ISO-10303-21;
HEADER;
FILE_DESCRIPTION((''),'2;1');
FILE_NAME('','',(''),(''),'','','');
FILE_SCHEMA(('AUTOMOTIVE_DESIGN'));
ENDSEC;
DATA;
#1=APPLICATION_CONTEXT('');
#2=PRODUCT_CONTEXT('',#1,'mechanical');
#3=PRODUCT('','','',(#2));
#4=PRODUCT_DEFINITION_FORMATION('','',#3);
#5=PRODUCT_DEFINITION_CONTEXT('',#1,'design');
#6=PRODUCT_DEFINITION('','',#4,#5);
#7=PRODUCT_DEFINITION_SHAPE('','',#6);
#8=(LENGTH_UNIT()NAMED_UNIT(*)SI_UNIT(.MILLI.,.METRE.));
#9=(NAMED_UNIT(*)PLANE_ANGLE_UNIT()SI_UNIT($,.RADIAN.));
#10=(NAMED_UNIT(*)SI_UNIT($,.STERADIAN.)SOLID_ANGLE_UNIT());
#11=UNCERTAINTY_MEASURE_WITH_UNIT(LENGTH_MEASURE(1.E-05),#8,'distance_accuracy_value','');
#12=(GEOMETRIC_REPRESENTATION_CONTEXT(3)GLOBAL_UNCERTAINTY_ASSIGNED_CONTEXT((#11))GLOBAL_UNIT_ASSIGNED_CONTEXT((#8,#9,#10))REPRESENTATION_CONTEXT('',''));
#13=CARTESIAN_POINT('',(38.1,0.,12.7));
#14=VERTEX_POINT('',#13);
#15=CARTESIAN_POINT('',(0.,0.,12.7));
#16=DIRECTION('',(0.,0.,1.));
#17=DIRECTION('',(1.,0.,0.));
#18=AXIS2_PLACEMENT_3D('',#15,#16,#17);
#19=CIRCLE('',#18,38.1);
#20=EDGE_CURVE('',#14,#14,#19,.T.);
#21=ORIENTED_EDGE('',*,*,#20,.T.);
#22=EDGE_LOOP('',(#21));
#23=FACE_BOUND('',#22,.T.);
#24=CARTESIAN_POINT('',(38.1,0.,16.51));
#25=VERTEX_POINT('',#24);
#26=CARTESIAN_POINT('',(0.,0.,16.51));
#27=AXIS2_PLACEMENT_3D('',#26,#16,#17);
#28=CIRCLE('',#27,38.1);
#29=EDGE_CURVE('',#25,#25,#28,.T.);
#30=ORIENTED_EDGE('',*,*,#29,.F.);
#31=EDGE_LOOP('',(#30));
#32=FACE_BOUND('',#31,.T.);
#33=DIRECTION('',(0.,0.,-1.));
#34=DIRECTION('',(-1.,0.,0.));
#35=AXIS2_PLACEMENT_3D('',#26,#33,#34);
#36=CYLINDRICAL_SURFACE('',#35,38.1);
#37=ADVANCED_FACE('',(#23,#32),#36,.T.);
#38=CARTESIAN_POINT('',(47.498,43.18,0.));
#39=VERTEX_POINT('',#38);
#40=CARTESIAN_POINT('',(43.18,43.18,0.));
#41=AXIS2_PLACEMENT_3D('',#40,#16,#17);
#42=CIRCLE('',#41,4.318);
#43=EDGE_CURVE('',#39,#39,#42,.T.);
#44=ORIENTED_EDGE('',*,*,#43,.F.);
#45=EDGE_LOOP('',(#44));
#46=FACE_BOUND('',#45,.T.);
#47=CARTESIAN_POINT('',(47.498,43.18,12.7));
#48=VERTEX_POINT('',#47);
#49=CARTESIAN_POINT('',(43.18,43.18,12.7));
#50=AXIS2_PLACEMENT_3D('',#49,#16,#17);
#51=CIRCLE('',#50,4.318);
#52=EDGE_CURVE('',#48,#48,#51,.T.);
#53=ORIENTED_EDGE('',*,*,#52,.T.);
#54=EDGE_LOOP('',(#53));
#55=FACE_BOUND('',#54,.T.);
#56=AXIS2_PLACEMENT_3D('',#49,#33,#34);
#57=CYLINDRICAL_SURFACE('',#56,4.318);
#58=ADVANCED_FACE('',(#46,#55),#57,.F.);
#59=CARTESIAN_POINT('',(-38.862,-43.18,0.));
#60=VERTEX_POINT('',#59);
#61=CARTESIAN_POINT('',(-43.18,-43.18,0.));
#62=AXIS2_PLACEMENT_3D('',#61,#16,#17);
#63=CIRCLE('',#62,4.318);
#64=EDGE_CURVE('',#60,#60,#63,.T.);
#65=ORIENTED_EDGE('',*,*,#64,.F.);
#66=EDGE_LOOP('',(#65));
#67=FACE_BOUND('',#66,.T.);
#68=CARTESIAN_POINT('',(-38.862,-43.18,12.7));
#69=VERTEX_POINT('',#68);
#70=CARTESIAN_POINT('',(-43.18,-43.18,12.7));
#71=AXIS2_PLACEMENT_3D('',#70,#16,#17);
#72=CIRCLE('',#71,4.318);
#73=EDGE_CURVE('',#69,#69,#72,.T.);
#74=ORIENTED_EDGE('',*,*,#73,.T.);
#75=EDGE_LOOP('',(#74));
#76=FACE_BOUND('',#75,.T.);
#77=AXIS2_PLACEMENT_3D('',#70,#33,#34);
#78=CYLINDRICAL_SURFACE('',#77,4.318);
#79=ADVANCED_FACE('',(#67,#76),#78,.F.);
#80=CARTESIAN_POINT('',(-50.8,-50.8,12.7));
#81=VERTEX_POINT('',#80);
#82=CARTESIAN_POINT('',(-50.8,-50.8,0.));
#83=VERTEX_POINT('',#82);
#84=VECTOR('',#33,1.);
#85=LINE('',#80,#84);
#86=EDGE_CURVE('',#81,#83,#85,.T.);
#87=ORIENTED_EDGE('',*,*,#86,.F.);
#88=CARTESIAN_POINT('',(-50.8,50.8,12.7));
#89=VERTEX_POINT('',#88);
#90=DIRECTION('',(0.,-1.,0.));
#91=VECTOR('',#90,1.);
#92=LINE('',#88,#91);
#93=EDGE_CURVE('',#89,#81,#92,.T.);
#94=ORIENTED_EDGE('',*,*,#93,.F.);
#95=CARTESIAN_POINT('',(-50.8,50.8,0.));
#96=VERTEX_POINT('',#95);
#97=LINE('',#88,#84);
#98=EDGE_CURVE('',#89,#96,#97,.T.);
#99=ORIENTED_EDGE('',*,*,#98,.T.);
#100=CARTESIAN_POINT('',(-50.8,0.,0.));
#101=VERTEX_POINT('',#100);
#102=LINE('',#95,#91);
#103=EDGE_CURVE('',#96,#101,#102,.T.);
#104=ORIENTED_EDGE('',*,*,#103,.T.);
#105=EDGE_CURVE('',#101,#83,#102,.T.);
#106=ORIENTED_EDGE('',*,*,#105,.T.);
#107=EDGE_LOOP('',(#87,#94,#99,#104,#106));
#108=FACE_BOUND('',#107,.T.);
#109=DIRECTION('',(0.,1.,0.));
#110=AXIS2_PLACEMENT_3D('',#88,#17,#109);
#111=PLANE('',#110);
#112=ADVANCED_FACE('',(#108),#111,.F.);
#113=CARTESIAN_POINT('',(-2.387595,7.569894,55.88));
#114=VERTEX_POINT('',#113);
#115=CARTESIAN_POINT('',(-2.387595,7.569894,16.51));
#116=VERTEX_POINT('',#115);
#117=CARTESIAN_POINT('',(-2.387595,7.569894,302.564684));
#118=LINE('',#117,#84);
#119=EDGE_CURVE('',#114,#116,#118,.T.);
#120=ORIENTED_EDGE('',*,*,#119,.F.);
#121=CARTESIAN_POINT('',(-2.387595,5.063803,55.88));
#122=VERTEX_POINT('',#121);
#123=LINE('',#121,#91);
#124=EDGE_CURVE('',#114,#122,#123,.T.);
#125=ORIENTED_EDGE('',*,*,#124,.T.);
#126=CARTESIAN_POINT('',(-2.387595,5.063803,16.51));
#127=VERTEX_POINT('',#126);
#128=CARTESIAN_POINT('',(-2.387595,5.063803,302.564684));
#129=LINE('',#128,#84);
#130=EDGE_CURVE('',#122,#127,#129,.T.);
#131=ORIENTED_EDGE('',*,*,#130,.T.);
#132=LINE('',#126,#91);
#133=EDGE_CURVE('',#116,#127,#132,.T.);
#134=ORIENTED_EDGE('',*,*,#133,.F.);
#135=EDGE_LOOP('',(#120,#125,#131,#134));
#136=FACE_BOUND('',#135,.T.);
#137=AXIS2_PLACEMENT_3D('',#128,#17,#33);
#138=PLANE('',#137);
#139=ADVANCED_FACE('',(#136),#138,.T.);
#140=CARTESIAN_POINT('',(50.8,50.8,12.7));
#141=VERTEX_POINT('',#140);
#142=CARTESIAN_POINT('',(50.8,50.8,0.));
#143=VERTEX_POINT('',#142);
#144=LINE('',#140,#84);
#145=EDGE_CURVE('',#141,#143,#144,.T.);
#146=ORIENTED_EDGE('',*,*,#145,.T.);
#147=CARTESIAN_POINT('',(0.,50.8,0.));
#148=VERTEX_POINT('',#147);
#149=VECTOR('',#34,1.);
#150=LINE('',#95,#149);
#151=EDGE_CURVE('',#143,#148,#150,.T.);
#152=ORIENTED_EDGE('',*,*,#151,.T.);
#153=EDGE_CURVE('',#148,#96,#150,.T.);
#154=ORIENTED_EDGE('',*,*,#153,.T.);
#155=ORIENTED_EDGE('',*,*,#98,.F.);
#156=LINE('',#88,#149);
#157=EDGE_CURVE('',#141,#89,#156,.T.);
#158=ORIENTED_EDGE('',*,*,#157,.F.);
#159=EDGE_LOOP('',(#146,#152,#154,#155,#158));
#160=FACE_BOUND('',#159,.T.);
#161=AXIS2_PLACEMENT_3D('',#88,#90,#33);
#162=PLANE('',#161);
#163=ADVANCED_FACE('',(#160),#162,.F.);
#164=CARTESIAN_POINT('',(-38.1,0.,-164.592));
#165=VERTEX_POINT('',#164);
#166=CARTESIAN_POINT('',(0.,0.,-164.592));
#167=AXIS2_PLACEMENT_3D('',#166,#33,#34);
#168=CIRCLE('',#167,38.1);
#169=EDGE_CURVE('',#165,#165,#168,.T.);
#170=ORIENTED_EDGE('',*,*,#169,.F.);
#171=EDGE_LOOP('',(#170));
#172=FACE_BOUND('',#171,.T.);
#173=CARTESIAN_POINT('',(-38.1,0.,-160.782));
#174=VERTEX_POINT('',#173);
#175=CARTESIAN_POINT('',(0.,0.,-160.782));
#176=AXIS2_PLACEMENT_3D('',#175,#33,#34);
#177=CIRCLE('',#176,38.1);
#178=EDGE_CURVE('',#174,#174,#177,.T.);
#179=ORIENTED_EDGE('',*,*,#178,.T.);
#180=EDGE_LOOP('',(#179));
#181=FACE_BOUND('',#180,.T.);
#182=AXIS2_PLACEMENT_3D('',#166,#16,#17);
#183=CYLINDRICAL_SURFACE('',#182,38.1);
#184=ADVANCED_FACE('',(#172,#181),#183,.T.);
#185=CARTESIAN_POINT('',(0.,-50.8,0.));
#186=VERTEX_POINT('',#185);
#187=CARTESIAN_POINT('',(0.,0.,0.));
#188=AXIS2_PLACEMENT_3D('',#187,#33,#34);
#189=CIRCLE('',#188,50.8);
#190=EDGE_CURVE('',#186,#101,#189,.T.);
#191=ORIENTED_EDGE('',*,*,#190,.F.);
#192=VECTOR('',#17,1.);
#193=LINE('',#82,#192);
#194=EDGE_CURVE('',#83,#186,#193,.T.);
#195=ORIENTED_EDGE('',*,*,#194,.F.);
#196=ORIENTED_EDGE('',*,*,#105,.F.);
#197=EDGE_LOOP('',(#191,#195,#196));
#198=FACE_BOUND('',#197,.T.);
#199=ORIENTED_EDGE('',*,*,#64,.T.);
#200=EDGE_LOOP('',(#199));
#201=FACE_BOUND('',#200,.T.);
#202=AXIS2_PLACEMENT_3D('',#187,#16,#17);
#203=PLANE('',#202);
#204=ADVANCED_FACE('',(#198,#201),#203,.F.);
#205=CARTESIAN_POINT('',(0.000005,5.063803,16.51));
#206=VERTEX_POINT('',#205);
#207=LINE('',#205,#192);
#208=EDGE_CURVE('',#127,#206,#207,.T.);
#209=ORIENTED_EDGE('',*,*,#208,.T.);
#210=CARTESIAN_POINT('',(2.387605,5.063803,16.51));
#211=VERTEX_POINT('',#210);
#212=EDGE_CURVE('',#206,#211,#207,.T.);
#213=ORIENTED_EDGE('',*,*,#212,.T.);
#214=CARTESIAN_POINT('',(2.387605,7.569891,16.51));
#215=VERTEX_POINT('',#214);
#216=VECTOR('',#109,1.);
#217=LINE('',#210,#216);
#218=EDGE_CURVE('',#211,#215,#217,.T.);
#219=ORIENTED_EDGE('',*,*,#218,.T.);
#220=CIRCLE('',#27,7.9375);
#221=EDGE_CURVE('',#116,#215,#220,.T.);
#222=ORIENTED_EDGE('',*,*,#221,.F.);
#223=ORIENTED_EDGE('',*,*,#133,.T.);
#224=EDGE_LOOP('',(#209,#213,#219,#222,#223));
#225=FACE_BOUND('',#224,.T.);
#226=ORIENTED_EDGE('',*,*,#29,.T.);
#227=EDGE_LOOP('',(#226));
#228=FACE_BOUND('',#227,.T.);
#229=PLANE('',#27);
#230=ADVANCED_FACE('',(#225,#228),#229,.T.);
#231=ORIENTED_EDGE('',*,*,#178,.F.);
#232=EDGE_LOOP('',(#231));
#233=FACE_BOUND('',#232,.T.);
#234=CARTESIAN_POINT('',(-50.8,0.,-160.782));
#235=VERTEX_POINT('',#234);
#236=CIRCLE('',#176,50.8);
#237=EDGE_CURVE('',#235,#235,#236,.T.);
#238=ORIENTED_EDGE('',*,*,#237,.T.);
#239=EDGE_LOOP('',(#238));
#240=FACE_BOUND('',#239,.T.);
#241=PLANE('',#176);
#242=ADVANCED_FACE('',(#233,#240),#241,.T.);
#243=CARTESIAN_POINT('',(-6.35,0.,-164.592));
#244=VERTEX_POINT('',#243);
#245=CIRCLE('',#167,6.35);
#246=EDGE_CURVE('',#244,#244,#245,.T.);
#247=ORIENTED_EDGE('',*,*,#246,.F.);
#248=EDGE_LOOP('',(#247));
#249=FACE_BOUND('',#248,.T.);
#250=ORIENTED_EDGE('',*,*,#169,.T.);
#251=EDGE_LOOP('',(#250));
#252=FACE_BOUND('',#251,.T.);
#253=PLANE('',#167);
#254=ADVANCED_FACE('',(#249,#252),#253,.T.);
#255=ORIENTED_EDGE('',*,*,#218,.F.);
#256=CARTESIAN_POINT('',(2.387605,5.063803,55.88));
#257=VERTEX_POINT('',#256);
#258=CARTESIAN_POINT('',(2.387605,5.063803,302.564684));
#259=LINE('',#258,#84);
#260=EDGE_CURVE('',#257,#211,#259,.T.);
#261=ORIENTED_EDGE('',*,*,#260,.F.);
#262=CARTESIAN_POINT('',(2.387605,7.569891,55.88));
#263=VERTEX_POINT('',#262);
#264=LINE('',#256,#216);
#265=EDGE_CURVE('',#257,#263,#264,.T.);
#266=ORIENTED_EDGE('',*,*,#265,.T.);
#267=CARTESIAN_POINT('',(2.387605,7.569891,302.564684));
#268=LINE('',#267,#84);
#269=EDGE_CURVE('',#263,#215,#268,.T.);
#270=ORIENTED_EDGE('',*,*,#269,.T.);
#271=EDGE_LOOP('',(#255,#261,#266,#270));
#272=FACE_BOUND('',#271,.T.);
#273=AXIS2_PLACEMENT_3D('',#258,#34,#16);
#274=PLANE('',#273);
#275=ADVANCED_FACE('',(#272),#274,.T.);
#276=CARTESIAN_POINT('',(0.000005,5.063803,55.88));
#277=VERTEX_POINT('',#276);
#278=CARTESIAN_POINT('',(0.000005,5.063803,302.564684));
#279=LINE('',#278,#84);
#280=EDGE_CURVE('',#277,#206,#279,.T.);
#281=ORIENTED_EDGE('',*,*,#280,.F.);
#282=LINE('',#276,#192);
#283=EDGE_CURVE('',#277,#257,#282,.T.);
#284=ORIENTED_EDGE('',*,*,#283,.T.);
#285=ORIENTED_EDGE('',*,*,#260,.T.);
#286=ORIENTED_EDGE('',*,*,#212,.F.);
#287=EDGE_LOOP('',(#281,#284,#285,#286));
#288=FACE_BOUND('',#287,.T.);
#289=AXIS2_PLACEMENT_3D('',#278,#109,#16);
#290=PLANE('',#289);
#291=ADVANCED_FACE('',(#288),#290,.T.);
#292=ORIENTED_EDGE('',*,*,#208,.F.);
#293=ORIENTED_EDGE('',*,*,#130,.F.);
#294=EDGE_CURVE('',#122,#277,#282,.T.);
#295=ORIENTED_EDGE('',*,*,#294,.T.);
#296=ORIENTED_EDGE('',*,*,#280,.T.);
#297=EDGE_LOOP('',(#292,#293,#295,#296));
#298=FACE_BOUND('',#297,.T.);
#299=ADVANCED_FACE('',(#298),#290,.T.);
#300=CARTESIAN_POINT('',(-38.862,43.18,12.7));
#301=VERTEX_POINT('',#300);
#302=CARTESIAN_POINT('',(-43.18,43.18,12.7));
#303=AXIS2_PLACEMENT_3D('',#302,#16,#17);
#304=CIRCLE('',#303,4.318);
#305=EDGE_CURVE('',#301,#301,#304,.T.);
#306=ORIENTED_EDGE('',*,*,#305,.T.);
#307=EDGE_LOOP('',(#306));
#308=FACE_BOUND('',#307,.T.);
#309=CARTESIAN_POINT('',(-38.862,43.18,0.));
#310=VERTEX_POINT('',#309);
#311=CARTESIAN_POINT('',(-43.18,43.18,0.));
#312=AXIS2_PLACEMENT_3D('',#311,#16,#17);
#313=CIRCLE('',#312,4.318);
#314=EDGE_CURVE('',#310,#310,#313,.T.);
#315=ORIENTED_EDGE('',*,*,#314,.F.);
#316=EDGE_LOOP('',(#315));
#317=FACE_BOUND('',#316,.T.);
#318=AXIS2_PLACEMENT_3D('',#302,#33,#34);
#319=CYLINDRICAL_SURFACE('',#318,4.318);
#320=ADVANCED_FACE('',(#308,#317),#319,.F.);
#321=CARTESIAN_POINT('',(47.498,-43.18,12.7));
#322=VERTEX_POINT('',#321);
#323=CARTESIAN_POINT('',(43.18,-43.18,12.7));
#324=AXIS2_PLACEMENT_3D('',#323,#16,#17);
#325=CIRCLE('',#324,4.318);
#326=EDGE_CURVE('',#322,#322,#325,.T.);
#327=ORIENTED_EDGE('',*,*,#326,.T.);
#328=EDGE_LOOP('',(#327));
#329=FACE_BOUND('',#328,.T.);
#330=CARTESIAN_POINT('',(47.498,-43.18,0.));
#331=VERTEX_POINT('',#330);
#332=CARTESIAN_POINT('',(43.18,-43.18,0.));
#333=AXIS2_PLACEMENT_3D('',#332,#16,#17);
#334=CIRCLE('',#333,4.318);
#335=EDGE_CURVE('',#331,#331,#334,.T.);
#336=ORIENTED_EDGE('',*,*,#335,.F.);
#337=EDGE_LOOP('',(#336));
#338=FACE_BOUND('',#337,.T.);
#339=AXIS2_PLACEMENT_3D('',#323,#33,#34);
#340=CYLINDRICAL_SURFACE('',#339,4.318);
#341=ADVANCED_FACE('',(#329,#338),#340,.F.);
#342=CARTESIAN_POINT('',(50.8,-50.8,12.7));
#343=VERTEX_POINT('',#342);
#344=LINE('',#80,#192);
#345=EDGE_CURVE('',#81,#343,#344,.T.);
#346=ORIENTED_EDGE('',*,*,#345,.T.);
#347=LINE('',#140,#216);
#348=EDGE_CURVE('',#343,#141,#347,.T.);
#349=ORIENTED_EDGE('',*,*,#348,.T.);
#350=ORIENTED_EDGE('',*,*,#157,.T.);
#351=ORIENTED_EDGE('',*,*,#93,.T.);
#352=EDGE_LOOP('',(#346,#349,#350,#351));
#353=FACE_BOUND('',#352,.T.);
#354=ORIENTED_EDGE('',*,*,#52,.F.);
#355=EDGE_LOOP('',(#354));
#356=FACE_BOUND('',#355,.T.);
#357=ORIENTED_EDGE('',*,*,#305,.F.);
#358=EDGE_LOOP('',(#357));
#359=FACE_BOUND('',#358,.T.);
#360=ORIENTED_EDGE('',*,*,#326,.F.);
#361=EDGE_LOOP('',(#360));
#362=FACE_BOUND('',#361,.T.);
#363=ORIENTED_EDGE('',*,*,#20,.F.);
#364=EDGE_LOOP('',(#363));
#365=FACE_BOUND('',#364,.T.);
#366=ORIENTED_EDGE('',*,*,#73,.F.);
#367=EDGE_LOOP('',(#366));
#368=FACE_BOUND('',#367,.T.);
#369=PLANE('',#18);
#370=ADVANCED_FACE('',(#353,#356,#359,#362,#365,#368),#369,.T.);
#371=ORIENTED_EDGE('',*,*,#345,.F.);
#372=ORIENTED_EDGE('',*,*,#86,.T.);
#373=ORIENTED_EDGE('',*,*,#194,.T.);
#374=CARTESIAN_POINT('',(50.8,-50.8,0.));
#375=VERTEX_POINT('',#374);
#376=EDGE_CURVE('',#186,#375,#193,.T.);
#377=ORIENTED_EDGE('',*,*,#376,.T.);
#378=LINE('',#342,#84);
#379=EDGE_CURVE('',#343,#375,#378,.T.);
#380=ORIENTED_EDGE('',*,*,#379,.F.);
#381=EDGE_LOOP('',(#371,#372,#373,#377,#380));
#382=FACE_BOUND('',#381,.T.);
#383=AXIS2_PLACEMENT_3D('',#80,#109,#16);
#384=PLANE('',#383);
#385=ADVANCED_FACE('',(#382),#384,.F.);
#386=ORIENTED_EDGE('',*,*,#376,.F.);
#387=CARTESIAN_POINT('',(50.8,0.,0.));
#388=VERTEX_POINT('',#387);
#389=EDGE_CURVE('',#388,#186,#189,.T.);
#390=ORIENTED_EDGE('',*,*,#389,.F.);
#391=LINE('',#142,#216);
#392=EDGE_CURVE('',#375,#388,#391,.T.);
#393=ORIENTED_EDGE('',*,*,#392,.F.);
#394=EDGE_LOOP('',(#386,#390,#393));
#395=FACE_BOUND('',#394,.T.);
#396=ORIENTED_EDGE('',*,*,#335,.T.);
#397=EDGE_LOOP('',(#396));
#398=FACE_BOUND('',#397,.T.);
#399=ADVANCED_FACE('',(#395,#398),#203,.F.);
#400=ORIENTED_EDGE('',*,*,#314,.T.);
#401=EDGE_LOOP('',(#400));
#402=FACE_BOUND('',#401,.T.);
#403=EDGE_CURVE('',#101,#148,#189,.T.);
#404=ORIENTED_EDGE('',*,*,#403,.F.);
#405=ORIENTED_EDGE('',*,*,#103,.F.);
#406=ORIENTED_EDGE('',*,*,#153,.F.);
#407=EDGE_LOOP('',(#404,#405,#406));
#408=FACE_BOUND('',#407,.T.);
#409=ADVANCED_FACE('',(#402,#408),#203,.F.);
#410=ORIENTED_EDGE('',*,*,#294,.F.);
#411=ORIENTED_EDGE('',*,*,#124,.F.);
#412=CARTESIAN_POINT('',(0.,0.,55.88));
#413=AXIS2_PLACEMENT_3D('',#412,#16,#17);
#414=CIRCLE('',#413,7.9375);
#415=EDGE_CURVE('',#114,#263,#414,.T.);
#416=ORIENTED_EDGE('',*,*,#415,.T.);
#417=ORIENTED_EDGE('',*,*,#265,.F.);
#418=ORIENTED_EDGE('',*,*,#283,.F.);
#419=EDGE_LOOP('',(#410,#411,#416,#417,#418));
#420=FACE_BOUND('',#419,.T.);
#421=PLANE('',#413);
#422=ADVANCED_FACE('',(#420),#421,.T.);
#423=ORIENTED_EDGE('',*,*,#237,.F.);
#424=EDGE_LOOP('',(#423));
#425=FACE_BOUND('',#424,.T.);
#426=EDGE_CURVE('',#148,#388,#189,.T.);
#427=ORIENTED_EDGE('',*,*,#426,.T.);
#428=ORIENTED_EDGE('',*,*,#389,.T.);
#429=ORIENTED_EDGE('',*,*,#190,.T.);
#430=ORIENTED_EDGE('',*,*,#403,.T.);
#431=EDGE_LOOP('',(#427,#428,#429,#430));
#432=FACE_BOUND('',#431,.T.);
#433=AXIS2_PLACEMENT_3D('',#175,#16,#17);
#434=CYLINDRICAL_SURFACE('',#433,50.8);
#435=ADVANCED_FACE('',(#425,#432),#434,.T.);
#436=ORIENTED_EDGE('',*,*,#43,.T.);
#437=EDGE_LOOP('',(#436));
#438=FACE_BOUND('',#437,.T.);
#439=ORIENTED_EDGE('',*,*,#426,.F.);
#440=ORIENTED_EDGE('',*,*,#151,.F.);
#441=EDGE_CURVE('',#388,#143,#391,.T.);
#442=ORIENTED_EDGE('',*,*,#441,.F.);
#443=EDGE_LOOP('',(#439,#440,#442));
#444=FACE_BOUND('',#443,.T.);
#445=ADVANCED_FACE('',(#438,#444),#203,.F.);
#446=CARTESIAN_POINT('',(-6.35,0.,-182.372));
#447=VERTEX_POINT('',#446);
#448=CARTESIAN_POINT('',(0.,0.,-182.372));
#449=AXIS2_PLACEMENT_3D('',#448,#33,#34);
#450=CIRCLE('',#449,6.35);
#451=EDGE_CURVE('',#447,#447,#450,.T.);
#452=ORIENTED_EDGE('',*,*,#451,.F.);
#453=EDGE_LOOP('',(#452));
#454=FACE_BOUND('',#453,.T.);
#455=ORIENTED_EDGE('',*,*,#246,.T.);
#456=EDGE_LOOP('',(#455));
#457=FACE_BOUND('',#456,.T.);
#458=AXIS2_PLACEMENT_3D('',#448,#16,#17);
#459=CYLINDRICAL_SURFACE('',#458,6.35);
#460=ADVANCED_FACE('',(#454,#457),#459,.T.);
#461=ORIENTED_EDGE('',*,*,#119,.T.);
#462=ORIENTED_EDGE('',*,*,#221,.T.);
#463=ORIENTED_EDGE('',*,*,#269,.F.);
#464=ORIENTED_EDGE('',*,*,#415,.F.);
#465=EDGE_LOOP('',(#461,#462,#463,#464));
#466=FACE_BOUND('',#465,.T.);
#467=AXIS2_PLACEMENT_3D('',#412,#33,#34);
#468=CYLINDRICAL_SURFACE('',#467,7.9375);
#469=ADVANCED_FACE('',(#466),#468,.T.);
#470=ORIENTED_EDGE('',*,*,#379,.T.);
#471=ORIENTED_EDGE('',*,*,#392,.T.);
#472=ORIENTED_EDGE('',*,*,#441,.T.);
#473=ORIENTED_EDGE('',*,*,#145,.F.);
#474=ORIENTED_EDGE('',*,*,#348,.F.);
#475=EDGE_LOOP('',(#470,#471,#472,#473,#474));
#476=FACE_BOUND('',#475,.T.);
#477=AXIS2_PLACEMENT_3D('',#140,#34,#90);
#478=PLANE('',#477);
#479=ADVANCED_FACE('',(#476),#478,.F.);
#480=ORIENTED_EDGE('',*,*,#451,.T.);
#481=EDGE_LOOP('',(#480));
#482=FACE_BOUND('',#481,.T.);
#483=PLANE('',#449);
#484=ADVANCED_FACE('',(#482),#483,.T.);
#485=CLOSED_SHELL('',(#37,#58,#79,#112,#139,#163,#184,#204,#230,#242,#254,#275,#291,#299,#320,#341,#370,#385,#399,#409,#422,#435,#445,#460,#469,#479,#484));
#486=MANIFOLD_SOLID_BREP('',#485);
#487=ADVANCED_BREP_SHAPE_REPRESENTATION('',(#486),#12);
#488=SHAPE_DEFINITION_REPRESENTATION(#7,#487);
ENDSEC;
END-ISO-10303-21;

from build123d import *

# Parameters (mm, degrees)
SKETCH1_W               = 101.6
SKETCH1_H               = 101.6
SKETCH1_R               = 4.318
BOSS_EXTRUDE1_DEPTH     = 12.7
SKETCH2_R               = 38.1
BOSS_EXTRUDE2_DEPTH     = 3.81
SKETCH4_R               = 7.9375
BOSS_EXTRUDE4_DEPTH     = 39.37
CUT_EXTRUDE1_DEPTH      = 1
CUT_EXTRUDE1_DEPTH_BACK = 39.37
SKETCH6_R               = 50.8
BOSS_EXTRUDE5_DEPTH     = 160.782
SKETCH7_R               = 38.1
BOSS_EXTRUDE6_DEPTH     = 3.81
SKETCH8_R               = 6.35
BOSS_EXTRUDE7_DEPTH     = 17.78


with BuildPart() as part:
    # Sketch1 → Boss-Extrude1 (new body)
    with BuildSketch(Plane.XY):
        Rectangle(SKETCH1_W, SKETCH1_H)
        with Locations((-43.18, -43.18)):
            Circle(SKETCH1_R, mode=Mode.SUBTRACT)
        with Locations((43.18, -43.18)):
            Circle(SKETCH1_R, mode=Mode.SUBTRACT)
        with Locations((43.18, 43.18)):
            Circle(SKETCH1_R, mode=Mode.SUBTRACT)
        with Locations((-43.18, 43.18)):
            Circle(SKETCH1_R, mode=Mode.SUBTRACT)
    extrude(amount=BOSS_EXTRUDE1_DEPTH)

    # Sketch2 → Boss-Extrude2 (add)
    with BuildSketch(Plane.XY.offset(12.7)):
        Circle(SKETCH2_R)
    extrude(amount=BOSS_EXTRUDE2_DEPTH)

    # Sketch4 → Boss-Extrude4 (add)
    with BuildSketch(Plane.XY.offset(16.51)):
        Circle(SKETCH4_R)
    extrude(amount=BOSS_EXTRUDE4_DEPTH)

    # Sketch5 → Cut-Extrude1 (cut, two sides)
    with BuildSketch(Plane.XY.offset(55.88)) as cut_extrude1_sk:
        with BuildLine():
            Line((-2.387594518, 5.063803231), (5.482e-06, 5.063803231))
            Line((5.482e-06, 5.063803231), (2.387605482, 5.063803231))
            Line((2.387605482, 5.063803231), (2.387605482, 7.569890773))
            ThreePointArc((2.387605482, 7.569890773), (5.748e-06, 7.9375), (-2.387594518, 7.569894231))
            Line((-2.387594518, 7.569894231), (-2.387594518, 5.063803231))
        make_face()
    extrude(amount=CUT_EXTRUDE1_DEPTH, mode=Mode.SUBTRACT)
    extrude(cut_extrude1_sk.sketch, amount=-CUT_EXTRUDE1_DEPTH_BACK, mode=Mode.SUBTRACT)

    # Sketch6 → Boss-Extrude5 (add)
    with BuildSketch(Plane(origin=(0, 0, 0), x_dir=(-1, 0, 0), z_dir=(0, 0, -1))):
        Circle(SKETCH6_R)
    extrude(amount=BOSS_EXTRUDE5_DEPTH)

    # Sketch7 → Boss-Extrude6 (add)
    with BuildSketch(Plane(origin=(0, 0, -160.782), x_dir=(-1, 0, 0), z_dir=(0, 0, -1))):
        Circle(SKETCH7_R)
    extrude(amount=BOSS_EXTRUDE6_DEPTH)

    # Sketch8 → Boss-Extrude7 (add)
    with BuildSketch(Plane(origin=(0, 0, -164.592), x_dir=(-1, 0, 0), z_dir=(0, 0, -1))):
        Circle(SKETCH8_R)
    extrude(amount=BOSS_EXTRUDE7_DEPTH)


solid = part.part
